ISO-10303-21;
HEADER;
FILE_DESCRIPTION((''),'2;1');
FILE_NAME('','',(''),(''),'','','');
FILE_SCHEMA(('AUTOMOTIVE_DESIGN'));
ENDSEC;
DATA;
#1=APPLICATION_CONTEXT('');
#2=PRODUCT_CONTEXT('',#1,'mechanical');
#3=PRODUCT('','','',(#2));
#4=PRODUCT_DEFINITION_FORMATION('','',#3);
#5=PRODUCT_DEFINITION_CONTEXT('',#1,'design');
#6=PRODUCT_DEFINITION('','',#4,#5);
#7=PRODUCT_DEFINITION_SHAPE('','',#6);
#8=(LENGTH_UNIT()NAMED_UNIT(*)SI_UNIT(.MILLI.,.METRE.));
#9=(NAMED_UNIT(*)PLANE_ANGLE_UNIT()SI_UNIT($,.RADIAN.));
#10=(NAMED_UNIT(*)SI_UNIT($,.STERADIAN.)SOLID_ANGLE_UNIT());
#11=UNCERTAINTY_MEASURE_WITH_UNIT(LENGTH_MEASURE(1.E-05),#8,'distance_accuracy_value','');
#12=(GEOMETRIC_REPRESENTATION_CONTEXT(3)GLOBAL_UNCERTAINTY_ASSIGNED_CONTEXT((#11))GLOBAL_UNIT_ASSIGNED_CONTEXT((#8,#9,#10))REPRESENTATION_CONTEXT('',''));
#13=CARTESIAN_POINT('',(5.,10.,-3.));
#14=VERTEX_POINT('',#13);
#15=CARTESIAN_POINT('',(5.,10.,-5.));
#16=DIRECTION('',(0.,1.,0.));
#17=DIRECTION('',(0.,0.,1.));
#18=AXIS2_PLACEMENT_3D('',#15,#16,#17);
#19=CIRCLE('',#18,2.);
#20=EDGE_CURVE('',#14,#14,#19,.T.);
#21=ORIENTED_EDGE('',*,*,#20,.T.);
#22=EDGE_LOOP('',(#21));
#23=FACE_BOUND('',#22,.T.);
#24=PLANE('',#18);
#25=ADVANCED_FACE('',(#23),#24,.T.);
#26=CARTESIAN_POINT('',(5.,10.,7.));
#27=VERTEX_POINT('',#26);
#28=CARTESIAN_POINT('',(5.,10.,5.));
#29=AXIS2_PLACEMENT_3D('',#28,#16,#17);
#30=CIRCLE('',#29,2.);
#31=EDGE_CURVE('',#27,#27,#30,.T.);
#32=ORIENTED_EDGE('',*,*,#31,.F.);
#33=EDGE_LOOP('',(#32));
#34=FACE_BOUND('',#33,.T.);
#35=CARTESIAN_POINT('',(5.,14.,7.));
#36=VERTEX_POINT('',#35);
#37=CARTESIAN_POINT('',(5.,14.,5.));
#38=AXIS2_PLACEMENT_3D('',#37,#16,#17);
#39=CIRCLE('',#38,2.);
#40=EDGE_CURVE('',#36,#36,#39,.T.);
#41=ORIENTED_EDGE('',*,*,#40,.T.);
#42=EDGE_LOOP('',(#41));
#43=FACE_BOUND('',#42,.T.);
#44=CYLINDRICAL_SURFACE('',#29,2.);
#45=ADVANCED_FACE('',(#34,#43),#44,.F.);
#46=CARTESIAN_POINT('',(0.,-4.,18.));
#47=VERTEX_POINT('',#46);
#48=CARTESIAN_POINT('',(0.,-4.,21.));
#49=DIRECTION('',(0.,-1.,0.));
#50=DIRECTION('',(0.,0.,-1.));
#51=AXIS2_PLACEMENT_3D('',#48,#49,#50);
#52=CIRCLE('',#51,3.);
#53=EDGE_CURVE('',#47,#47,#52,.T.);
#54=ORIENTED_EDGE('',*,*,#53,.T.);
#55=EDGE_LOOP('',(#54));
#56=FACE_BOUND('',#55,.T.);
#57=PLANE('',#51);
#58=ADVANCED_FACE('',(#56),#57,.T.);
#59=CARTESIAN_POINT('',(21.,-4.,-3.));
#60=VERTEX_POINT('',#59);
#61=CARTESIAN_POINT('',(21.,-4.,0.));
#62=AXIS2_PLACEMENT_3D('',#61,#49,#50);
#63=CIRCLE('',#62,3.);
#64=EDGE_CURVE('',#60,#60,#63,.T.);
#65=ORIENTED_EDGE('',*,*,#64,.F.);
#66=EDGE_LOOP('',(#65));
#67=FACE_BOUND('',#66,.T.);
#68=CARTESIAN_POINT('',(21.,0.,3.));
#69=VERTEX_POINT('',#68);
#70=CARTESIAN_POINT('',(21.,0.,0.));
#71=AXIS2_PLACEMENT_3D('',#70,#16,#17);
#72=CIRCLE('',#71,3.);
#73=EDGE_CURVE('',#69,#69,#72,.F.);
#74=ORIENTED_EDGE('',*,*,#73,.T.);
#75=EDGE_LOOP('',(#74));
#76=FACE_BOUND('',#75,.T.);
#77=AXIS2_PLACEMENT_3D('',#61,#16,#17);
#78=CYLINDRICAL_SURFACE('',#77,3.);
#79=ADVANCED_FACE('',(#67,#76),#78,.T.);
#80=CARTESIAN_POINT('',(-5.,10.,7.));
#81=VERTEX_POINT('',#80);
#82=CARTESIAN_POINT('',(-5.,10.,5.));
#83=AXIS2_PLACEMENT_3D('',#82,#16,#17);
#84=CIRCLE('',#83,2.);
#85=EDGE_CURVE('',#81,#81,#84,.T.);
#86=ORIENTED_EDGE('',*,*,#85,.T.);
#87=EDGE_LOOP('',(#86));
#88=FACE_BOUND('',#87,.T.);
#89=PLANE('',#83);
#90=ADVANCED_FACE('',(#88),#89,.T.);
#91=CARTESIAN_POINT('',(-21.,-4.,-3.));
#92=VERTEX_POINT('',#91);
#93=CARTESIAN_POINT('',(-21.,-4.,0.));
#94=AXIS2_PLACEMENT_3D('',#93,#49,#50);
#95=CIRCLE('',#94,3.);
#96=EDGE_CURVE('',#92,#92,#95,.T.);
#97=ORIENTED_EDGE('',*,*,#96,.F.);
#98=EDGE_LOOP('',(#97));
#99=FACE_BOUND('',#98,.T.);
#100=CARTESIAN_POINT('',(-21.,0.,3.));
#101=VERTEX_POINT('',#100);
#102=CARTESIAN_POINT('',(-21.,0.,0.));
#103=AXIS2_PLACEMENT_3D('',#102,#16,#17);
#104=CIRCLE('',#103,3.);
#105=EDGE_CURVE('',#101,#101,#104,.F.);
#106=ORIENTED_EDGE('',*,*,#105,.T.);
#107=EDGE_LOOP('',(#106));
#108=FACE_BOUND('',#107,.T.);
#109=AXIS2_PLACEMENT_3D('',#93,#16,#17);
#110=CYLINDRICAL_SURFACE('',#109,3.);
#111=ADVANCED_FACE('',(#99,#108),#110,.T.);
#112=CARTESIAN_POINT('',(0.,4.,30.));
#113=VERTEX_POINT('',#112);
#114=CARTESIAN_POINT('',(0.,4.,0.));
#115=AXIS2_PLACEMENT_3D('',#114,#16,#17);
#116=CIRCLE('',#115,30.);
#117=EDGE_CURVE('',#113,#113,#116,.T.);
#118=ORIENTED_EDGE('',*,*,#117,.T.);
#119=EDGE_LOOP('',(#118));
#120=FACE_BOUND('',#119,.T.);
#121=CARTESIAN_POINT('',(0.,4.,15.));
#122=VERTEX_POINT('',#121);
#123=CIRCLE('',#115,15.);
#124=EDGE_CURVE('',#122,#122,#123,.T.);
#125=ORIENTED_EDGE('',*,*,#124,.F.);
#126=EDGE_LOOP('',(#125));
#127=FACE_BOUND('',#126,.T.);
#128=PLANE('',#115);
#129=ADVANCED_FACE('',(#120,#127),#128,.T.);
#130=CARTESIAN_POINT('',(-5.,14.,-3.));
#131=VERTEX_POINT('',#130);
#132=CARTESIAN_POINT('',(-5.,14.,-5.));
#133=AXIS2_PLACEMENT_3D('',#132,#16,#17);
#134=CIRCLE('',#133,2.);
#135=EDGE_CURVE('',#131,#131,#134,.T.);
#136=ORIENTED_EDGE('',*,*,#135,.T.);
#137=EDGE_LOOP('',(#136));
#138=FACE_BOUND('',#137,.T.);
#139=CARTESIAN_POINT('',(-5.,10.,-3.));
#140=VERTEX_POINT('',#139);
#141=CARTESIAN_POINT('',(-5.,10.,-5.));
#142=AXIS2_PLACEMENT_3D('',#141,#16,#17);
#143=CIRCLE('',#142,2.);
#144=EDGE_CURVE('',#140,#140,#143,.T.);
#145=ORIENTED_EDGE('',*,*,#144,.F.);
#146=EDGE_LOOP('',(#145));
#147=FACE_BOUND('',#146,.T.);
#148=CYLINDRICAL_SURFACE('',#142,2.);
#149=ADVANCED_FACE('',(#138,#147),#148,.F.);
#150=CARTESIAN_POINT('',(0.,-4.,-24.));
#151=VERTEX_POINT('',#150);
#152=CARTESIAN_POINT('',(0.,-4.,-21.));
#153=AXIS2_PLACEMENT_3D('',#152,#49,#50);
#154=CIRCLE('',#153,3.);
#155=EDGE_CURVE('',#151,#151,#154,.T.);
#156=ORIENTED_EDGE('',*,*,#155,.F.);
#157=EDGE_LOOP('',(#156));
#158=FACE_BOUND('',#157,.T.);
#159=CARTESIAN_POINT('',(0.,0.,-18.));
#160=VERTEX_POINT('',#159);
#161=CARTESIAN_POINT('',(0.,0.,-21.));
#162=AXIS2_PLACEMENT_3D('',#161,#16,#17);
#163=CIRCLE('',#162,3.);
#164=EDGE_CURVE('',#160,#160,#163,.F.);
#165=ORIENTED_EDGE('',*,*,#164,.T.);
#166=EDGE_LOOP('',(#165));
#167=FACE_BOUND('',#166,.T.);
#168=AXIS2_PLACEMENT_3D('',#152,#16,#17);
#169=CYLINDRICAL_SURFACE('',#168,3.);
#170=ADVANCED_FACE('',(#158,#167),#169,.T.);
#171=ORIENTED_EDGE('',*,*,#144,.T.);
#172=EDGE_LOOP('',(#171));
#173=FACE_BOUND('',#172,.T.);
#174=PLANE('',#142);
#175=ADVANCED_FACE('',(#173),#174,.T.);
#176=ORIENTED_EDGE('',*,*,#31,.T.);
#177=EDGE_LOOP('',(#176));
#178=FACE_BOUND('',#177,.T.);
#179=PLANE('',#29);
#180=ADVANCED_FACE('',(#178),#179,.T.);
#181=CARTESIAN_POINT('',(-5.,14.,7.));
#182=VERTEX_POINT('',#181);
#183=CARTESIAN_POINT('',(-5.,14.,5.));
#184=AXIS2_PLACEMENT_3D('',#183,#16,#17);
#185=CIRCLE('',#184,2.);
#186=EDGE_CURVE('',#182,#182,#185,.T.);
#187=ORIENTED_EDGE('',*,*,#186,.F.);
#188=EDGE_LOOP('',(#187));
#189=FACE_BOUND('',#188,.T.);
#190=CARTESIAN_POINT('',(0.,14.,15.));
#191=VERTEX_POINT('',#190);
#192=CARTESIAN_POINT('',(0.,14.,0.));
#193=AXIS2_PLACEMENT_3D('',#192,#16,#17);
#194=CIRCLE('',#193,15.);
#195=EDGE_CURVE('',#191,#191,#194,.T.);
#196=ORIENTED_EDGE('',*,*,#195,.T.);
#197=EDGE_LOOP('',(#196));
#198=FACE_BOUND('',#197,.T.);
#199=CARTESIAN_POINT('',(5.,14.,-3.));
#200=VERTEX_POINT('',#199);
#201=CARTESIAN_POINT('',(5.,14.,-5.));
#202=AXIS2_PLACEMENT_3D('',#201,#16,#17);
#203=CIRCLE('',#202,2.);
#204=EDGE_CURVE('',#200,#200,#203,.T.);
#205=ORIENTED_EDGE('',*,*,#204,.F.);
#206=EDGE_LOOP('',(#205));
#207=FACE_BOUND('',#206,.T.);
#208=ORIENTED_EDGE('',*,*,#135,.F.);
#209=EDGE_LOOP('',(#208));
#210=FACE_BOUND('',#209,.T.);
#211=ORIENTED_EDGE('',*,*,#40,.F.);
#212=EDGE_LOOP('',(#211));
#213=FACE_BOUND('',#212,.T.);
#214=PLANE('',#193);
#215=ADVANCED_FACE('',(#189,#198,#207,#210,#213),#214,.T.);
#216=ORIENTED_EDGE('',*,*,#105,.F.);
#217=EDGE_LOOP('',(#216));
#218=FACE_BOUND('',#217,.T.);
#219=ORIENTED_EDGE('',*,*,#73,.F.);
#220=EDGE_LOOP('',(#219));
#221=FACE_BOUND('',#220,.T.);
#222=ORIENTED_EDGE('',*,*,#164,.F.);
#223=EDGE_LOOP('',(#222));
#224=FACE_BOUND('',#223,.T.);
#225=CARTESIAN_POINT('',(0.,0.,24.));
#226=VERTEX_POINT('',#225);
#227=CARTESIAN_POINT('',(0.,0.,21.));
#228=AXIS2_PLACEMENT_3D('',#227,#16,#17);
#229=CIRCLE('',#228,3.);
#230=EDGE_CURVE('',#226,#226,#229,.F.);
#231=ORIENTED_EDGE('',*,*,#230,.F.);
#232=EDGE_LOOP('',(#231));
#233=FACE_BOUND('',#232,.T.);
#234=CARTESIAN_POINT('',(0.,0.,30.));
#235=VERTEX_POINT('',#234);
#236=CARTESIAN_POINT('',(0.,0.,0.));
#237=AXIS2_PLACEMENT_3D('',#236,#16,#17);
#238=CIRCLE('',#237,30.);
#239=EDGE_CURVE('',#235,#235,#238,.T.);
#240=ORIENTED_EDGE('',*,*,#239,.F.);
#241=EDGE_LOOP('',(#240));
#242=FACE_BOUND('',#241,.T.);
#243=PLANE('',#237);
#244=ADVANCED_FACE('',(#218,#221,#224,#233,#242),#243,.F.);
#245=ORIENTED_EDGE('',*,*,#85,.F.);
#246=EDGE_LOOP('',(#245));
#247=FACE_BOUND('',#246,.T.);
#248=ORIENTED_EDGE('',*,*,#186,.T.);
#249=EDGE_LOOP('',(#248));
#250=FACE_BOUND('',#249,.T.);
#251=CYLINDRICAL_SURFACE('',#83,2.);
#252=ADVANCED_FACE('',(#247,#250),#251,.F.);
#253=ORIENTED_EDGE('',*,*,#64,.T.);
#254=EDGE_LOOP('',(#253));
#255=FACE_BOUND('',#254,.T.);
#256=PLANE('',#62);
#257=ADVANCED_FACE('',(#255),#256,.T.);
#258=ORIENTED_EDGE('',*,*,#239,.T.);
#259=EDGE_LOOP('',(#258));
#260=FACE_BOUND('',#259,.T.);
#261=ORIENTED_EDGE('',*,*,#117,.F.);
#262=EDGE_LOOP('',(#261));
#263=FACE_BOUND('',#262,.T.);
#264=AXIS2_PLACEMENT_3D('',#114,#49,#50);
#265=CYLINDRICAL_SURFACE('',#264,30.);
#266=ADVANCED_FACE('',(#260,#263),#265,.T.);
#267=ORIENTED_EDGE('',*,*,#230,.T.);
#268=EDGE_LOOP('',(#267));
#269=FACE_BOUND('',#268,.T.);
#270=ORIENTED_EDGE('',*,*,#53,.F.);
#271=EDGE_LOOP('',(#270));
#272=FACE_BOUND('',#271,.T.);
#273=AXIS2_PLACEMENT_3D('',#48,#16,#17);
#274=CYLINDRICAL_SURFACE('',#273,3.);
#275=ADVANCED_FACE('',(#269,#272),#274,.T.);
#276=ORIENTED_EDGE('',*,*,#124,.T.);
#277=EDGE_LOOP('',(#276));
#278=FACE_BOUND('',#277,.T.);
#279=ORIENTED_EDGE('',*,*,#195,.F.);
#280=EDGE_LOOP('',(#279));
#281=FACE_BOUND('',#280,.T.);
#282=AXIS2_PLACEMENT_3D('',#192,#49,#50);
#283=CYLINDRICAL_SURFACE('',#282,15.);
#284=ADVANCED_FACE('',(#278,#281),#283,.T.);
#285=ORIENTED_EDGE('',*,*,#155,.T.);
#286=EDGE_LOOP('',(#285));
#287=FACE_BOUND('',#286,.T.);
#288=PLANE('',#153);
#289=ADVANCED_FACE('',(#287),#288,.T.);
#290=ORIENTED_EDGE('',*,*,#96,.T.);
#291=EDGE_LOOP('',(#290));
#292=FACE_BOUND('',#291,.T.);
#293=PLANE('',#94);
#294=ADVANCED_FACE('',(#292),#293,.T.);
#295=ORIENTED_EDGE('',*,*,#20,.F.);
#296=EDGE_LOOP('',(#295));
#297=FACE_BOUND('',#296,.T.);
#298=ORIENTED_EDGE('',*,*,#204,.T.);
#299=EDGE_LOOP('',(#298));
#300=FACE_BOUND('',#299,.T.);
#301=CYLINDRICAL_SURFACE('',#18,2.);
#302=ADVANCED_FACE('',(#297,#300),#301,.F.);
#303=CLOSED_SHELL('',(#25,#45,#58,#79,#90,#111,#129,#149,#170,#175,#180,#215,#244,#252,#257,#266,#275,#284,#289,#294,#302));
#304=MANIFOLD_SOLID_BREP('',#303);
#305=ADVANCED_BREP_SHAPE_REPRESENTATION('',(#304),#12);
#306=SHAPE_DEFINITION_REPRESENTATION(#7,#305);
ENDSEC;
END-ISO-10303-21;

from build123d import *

# Parameters (mm, degrees)
SKETCH1_R           = 30
BOSS_EXTRUDE1_DEPTH = 4
SKETCH2_R           = 15
BOSS_EXTRUDE2_DEPTH = 10
SKETCH3_R           = 3
BOSS_EXTRUDE3_DEPTH = 4
SKETCH4_R           = 2
CUT_EXTRUDE1_DEPTH  = 4


with BuildPart() as part:
    # Sketch1 → Boss-Extrude1 (new body)
    with BuildSketch(Plane(origin=(0, 0, 0), x_dir=(1, 0, 0), z_dir=(0, 1, 0))):
        with Locations(Location((0, 0, 0), (0, 0, 270))):
            Circle(SKETCH1_R)
    extrude(amount=BOSS_EXTRUDE1_DEPTH)

    # Sketch2 → Boss-Extrude2 (add)
    with BuildSketch(Plane(origin=(0, 4, 0), x_dir=(1, 0, 0), z_dir=(0, 1, 0))):
        with Locations(Location((0, 0, 0), (0, 0, 270))):
            Circle(SKETCH2_R)
    extrude(amount=BOSS_EXTRUDE2_DEPTH)

    # Sketch3 → Boss-Extrude3 (add)
    with BuildSketch(Plane.XZ):
        with Locations(Location((-21, 0, 0), (0, 0, 90))):
            Circle(SKETCH3_R)
        with Locations(Location((0, 21, 0), (0, 0, 90))):
            Circle(SKETCH3_R)
        with Locations(Location((21, 0, 0), (0, 0, 90))):
            Circle(SKETCH3_R)
        with Locations(Location((0, -21, 0), (0, 0, 90))):
            Circle(SKETCH3_R)
    extrude(amount=BOSS_EXTRUDE3_DEPTH)

    # Sketch4 → Cut-Extrude1 (cut)
    with BuildSketch(Plane(origin=(0, 14, 0), x_dir=(1, 0, 0), z_dir=(0, 1, 0))):
        with Locations(Location((-5, 5, 0), (0, 0, 270))):
            Circle(SKETCH4_R)
        with Locations(Location((5, 5, 0), (0, 0, 270))):
            Circle(SKETCH4_R)
        with Locations(Location((5, -5, 0), (0, 0, 270))):
            Circle(SKETCH4_R)
        with Locations(Location((-5, -5, 0), (0, 0, 270))):
            Circle(SKETCH4_R)
    extrude(amount=-CUT_EXTRUDE1_DEPTH, mode=Mode.SUBTRACT)


solid = part.part
